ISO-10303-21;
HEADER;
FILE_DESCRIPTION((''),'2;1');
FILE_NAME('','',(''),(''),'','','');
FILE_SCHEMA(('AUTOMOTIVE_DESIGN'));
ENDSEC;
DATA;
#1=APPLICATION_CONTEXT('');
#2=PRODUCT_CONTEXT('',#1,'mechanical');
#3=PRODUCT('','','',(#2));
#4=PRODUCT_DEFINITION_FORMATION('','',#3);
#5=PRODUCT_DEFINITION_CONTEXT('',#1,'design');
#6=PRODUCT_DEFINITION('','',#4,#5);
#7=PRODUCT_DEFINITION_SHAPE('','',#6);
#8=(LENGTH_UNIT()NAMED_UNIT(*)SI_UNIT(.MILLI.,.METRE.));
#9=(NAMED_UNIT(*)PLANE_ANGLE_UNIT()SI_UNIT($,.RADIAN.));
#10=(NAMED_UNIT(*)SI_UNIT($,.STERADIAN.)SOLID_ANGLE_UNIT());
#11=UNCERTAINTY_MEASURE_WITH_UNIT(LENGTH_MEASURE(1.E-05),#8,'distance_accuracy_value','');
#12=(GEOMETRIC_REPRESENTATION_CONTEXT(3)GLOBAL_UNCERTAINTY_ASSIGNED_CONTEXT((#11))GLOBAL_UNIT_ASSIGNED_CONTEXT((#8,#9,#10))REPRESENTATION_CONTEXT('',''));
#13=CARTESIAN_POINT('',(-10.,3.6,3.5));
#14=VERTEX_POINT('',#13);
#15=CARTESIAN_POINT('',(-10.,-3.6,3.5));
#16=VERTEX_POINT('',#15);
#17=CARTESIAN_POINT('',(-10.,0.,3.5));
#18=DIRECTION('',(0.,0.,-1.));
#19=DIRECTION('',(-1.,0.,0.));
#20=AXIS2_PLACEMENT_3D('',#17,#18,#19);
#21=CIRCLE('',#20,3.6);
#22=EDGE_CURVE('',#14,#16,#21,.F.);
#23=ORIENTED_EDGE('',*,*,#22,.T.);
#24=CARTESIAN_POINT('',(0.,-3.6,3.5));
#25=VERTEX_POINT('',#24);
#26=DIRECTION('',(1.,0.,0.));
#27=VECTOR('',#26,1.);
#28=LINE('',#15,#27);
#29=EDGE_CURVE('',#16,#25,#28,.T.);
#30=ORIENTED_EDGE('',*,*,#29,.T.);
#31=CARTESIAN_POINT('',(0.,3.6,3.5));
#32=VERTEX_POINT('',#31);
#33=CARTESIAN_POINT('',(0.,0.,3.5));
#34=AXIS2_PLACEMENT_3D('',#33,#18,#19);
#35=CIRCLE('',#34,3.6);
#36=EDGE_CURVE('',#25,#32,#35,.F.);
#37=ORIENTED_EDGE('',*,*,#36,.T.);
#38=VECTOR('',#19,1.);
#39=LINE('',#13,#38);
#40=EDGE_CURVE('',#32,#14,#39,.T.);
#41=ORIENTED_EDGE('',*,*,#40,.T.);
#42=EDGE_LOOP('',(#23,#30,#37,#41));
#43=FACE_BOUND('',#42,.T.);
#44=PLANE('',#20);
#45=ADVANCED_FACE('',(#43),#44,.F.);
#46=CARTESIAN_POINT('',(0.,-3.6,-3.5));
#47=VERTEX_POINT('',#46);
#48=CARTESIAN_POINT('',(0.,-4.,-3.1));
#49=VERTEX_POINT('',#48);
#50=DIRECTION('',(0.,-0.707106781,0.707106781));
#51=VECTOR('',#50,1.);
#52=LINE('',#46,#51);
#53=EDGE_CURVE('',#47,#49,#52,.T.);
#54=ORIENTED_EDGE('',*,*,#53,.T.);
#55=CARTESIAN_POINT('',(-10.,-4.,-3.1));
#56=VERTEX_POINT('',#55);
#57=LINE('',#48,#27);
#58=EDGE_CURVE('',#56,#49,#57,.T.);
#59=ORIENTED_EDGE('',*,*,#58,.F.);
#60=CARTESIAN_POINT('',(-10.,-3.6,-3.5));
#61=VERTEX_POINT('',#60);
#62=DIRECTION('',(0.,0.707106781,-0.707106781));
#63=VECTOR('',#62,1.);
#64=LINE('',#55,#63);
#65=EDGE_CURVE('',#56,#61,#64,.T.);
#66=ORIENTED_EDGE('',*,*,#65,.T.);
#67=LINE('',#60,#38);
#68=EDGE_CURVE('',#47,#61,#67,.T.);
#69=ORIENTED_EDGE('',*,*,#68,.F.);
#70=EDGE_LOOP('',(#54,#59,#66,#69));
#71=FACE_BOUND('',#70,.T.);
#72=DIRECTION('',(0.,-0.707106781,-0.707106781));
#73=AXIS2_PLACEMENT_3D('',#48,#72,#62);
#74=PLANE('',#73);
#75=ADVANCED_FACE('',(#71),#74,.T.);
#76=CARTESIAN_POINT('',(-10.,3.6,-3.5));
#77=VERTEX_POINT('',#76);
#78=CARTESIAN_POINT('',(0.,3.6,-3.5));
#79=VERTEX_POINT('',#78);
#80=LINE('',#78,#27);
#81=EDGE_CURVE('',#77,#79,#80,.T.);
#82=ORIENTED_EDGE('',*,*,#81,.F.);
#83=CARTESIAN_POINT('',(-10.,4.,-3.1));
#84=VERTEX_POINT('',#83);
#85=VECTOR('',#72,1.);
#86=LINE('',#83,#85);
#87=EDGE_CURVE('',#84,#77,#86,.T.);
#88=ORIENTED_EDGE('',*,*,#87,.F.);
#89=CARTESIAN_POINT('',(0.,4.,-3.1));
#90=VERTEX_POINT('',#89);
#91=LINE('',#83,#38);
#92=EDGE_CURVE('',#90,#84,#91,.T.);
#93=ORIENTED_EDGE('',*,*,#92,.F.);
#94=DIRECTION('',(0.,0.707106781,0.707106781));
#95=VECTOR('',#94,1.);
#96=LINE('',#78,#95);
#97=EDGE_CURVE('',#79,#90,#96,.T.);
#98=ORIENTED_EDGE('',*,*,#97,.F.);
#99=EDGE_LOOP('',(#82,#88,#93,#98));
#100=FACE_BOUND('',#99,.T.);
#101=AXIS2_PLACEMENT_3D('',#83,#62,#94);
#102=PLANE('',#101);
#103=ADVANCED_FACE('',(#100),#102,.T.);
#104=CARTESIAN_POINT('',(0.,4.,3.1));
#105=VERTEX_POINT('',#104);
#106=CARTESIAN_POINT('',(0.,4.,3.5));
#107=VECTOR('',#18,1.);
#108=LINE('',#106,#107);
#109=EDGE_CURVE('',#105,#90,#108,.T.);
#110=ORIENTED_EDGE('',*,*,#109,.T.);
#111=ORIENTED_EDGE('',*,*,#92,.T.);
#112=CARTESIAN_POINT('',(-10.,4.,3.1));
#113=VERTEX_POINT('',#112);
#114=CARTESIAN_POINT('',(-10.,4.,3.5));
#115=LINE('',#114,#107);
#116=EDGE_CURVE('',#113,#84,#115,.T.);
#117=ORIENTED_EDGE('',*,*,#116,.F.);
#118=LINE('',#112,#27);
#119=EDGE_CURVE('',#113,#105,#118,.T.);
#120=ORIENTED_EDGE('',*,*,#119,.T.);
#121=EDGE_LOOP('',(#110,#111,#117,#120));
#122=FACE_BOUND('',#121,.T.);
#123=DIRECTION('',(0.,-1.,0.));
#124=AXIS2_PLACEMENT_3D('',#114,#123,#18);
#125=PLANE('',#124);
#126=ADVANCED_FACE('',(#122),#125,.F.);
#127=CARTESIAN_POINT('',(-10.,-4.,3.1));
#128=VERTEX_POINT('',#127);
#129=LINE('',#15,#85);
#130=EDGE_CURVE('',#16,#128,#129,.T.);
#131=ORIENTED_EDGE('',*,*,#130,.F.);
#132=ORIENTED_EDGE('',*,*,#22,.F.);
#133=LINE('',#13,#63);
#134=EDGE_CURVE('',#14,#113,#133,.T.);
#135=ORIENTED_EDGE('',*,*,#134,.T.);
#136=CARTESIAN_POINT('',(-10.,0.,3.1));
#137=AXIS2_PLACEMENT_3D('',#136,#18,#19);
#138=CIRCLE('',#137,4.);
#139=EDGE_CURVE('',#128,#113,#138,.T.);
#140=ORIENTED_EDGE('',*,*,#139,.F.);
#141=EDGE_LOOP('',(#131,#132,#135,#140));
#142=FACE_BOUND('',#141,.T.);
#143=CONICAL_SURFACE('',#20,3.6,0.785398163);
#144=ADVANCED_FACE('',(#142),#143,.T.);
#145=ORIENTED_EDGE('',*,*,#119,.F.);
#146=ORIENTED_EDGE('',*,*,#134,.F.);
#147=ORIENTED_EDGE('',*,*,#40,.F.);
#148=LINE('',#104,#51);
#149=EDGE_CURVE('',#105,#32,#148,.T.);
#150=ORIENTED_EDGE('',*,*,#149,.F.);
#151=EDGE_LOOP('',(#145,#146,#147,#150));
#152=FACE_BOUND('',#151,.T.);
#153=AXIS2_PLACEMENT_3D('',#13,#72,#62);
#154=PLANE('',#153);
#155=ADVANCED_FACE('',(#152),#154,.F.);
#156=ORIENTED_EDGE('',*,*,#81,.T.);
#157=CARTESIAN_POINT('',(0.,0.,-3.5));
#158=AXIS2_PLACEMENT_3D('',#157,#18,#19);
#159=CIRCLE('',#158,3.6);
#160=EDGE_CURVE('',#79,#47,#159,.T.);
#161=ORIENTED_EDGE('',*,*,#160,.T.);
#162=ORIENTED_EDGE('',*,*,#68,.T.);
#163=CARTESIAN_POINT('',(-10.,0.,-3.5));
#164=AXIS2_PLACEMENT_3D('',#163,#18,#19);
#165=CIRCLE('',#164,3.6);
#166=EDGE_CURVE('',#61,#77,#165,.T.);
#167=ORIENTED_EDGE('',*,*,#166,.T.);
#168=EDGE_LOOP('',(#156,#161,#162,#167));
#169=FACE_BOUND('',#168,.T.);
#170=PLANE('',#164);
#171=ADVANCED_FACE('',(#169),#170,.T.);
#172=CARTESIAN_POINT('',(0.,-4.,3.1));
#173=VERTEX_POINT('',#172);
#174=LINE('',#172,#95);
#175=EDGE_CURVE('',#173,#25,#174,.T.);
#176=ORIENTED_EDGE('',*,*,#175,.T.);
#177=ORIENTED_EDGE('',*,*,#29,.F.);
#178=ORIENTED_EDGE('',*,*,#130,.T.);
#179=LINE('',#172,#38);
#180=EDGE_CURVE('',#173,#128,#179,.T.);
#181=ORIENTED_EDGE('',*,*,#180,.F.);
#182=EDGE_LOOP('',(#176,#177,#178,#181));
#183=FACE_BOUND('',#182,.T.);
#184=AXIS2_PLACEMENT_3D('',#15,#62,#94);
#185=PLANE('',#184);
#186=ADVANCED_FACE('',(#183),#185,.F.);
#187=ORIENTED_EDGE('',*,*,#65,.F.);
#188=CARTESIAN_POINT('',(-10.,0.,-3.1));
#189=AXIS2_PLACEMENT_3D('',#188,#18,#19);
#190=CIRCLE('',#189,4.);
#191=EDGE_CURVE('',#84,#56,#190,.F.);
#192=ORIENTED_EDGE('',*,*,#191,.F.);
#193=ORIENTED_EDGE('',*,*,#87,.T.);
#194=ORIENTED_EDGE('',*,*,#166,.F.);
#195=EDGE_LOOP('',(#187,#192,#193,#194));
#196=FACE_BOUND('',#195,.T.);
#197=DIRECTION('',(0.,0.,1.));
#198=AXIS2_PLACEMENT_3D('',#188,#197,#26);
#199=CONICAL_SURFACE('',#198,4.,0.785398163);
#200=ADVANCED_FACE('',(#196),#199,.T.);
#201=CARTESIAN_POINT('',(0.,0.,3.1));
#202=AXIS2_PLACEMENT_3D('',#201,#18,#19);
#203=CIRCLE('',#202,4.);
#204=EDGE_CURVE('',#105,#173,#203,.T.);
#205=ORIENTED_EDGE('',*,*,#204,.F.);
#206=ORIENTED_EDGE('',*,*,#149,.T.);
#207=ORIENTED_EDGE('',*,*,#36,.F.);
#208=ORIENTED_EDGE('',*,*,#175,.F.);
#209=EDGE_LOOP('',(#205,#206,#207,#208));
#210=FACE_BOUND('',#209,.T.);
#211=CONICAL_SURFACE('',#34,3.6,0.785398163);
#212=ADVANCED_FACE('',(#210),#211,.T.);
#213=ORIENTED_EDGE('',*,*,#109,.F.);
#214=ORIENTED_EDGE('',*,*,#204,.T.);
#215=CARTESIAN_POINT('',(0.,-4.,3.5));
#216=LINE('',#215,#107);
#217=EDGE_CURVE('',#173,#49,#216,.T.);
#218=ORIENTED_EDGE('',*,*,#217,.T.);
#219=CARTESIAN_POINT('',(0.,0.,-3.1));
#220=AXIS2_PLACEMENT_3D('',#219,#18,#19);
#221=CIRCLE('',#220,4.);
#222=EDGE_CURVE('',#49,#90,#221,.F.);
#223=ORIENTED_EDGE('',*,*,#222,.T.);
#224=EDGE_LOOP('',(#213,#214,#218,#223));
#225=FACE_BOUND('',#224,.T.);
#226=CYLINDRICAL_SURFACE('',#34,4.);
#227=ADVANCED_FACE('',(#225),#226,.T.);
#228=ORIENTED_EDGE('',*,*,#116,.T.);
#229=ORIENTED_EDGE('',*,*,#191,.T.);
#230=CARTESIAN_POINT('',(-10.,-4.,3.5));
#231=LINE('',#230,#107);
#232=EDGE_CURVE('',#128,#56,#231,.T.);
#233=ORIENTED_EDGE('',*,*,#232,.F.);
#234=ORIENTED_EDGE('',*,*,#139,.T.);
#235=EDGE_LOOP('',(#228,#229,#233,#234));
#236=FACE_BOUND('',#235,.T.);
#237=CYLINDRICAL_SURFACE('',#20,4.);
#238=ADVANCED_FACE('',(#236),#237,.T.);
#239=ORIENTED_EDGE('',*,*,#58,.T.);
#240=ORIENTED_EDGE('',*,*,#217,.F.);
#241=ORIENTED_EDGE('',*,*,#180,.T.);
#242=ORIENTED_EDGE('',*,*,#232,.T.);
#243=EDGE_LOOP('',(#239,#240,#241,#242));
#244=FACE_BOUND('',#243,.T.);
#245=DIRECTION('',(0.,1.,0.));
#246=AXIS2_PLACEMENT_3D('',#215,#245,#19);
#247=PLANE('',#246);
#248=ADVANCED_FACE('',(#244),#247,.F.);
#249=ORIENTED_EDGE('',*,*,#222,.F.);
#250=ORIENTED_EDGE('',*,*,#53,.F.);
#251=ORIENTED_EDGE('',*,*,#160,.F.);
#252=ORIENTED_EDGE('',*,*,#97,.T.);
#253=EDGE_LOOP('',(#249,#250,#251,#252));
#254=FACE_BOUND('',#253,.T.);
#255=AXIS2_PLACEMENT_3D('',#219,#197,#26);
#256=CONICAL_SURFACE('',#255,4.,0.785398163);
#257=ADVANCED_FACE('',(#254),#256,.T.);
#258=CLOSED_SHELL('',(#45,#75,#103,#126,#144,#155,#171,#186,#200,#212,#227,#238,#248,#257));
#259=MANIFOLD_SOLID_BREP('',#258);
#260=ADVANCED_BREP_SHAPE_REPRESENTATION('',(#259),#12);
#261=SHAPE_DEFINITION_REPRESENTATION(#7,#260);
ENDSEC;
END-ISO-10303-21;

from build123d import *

# Parameters (mm, degrees)
BASEKEY_DEPTH = 3.5
CHAMFER1_SIZE = 0.4


with BuildPart() as part:
    # Sketch1 → BaseKey (new, symmetric)
    with BuildSketch(Plane.XY):
        with BuildLine():
            Line((-10, 4), (0, 4))
            ThreePointArc((0, 4), (4, 0), (0, -4))
            Line((0, -4), (-10, -4))
            ThreePointArc((-10, -4), (-14, 0), (-10, 4))
        make_face()
    extrude(amount=BASEKEY_DEPTH, both=True)

    # Chamfer1
    chamfer1_edges = [part.edges().sort_by_distance(p)[0] for p in [
        (4, 0, 3.5),
        (-5, 4, 3.5),
        (-14, 0, 3.5),
        (-5, 4, -3.5),
        (4, 0, -3.5),
        (-5, -4, -3.5),
        (-14, 0, -3.5),
        (-5, -4, 3.5),
    ]]
    chamfer(chamfer1_edges, length=CHAMFER1_SIZE)


solid = part.part
